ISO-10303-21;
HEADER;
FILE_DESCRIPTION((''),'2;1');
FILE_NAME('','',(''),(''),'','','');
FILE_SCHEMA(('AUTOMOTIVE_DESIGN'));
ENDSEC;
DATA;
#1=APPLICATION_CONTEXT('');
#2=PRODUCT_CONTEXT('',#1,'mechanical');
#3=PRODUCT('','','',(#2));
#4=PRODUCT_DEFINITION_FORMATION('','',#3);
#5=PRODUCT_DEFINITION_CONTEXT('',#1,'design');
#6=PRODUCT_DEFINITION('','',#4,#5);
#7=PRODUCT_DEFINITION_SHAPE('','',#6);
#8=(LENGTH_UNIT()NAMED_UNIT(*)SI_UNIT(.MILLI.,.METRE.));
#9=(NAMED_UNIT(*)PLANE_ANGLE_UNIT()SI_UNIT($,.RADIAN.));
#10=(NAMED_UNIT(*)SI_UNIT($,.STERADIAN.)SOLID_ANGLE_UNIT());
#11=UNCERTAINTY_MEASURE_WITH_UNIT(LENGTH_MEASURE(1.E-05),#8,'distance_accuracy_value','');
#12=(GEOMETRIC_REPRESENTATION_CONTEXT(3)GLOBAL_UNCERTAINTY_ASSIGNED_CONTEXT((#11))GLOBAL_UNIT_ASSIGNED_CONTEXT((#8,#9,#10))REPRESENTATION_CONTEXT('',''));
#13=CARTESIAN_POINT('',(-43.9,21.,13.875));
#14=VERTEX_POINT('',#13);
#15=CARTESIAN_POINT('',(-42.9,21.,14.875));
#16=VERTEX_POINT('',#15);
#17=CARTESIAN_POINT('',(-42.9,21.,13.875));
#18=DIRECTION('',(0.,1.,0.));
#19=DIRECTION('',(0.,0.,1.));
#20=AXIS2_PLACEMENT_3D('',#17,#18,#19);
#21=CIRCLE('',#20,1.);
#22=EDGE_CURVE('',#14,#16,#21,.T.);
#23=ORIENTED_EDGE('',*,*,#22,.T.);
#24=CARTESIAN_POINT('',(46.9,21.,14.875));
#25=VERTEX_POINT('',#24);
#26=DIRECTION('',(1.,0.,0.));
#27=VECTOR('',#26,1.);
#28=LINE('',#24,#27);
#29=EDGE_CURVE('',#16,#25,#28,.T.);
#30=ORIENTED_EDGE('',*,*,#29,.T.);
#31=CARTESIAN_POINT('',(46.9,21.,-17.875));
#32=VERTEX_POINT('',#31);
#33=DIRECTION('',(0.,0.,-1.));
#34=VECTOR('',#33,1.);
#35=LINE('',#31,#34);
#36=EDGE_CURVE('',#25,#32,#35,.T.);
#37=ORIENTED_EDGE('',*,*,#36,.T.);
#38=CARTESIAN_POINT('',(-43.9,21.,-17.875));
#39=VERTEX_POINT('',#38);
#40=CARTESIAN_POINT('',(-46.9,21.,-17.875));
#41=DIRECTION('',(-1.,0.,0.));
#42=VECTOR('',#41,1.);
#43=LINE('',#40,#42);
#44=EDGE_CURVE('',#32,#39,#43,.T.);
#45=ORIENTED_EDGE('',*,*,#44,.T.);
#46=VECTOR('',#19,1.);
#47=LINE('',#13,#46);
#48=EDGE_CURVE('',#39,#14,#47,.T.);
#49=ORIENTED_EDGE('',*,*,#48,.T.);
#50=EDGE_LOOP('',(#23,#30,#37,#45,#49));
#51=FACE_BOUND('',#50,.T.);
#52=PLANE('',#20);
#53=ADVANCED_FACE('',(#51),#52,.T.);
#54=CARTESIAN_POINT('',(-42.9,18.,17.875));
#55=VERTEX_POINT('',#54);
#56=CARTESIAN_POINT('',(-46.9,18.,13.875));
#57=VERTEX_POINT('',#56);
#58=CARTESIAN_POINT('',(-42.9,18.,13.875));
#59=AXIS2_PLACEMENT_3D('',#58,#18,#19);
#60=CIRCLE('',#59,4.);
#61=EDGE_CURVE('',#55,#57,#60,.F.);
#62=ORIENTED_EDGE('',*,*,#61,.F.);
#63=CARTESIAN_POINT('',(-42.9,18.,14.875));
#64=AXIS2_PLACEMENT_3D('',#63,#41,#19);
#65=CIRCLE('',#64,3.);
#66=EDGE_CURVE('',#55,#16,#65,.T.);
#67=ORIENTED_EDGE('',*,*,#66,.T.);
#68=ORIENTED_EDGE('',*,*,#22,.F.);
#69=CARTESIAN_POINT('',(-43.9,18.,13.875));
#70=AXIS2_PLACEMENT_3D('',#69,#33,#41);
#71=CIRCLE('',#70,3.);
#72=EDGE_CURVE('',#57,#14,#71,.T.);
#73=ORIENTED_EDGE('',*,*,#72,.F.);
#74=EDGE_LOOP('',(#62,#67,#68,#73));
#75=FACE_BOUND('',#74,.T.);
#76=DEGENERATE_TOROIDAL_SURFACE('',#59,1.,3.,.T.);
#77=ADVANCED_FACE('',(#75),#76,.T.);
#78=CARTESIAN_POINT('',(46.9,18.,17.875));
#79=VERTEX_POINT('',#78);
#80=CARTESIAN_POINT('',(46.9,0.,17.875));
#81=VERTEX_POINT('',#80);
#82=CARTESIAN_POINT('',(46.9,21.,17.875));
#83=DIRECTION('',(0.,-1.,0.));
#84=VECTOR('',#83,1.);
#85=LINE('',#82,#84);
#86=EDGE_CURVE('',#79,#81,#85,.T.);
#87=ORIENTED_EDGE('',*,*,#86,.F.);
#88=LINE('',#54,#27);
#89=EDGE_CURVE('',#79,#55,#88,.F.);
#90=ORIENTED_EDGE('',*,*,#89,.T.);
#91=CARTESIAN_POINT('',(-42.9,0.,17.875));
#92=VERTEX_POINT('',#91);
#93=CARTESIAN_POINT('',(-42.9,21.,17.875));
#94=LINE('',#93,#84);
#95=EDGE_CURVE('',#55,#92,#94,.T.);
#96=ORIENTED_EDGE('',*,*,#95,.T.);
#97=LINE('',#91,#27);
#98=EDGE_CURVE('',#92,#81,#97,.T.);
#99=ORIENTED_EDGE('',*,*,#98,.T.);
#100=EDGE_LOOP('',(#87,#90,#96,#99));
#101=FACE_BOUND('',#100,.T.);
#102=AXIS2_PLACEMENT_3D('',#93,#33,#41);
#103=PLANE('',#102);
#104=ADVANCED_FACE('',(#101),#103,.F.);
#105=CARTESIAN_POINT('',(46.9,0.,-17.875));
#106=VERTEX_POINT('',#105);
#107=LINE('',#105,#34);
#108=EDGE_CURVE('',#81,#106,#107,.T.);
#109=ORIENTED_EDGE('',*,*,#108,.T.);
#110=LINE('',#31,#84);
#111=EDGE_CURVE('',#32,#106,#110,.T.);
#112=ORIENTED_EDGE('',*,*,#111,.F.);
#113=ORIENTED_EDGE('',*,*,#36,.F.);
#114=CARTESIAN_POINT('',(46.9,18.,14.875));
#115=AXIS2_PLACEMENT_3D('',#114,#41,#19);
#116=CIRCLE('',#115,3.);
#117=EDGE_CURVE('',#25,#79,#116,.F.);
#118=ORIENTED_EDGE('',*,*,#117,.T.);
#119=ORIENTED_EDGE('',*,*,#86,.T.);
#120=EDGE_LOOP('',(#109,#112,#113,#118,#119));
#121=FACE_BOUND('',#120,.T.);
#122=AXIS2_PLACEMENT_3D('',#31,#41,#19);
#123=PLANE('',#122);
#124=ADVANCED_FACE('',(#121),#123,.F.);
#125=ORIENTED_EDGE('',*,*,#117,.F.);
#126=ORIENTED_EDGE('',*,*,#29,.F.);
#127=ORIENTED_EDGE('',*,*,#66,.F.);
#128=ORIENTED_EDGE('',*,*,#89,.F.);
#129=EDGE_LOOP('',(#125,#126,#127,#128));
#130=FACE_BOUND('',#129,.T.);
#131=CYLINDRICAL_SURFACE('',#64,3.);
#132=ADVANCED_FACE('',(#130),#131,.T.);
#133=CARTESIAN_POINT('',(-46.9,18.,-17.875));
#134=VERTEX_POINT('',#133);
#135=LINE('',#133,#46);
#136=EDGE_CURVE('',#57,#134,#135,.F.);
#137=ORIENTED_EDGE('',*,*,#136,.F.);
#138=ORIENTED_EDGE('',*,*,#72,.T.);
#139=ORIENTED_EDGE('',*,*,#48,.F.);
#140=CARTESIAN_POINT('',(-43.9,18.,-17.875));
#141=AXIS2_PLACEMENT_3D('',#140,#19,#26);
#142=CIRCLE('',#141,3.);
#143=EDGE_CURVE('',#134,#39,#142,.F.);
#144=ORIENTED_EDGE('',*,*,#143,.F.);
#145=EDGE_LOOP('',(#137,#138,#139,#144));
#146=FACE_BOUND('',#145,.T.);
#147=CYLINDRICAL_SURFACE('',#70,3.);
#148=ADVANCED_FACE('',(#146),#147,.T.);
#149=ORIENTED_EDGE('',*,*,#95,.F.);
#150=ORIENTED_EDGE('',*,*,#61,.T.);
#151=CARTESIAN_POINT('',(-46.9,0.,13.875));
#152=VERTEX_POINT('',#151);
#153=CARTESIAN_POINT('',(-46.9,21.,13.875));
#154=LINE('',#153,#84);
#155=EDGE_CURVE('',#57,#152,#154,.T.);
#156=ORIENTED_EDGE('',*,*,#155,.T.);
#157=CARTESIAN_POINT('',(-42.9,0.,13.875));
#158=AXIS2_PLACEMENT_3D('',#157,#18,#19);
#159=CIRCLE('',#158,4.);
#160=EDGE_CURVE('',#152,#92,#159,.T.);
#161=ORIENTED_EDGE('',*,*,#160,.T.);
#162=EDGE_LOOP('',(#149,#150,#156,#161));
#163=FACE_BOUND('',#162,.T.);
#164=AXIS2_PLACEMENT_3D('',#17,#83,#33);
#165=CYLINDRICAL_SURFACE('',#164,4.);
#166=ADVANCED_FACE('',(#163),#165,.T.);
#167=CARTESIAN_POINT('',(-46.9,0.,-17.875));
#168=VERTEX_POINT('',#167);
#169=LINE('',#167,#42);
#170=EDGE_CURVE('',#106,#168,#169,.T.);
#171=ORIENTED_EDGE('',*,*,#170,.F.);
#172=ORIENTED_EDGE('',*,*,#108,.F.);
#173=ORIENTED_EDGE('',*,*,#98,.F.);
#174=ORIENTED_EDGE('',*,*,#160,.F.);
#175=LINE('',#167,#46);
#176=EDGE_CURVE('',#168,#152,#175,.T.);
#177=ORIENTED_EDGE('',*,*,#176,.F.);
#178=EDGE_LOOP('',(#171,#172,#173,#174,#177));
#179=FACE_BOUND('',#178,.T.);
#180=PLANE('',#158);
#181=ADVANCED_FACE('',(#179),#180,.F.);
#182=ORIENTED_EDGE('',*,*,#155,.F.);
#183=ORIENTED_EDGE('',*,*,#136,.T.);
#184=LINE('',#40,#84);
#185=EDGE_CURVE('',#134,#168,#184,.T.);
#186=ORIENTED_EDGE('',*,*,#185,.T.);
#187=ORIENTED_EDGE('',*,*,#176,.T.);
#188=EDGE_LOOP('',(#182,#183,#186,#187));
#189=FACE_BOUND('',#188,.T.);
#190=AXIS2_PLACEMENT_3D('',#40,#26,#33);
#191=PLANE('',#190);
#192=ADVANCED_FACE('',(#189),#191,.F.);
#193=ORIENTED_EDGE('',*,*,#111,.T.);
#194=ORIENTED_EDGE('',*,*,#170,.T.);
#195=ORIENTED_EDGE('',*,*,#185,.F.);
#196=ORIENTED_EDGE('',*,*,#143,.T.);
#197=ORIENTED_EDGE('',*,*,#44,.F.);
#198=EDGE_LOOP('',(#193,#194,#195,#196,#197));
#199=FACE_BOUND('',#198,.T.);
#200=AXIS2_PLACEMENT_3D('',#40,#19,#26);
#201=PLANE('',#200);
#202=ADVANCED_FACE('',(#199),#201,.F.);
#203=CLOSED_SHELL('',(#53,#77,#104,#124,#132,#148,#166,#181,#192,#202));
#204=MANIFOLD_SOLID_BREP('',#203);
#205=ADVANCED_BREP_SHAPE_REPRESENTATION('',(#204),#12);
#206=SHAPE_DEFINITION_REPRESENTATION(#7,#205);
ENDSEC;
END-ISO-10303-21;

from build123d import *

# Parameters (mm, degrees)
BOSS_EXTRUDE1_DEPTH = 21
FILLET1_R           = 3


with BuildPart() as part:
    # Sketch1 → Boss-Extrude1 (new body)
    with BuildSketch(Plane(origin=(0, 0, 0), x_dir=(1, 0, 0), z_dir=(0, 1, 0))):
        with BuildLine():
            Line((-46.9, 17.875), (46.9, 17.875))
            Line((46.9, 17.875), (46.9, -17.875))
            Line((46.9, -17.875), (-42.9, -17.875))
            ThreePointArc((-42.9, -17.875), (-45.728427125, -16.703427125), (-46.9, -13.875))
            Line((-46.9, -13.875), (-46.9, 17.875))
        make_face()
    extrude(amount=BOSS_EXTRUDE1_DEPTH)

    # Fillet1
    fillet1_edges = [part.edges().sort_by_distance(p)[0] for p in [
        (-46.9, 21, -2),
        (-45.728427125, 21, 16.703427125),
        (2, 21, 17.875),
    ]]
    fillet(fillet1_edges, radius=FILLET1_R)


solid = part.part
